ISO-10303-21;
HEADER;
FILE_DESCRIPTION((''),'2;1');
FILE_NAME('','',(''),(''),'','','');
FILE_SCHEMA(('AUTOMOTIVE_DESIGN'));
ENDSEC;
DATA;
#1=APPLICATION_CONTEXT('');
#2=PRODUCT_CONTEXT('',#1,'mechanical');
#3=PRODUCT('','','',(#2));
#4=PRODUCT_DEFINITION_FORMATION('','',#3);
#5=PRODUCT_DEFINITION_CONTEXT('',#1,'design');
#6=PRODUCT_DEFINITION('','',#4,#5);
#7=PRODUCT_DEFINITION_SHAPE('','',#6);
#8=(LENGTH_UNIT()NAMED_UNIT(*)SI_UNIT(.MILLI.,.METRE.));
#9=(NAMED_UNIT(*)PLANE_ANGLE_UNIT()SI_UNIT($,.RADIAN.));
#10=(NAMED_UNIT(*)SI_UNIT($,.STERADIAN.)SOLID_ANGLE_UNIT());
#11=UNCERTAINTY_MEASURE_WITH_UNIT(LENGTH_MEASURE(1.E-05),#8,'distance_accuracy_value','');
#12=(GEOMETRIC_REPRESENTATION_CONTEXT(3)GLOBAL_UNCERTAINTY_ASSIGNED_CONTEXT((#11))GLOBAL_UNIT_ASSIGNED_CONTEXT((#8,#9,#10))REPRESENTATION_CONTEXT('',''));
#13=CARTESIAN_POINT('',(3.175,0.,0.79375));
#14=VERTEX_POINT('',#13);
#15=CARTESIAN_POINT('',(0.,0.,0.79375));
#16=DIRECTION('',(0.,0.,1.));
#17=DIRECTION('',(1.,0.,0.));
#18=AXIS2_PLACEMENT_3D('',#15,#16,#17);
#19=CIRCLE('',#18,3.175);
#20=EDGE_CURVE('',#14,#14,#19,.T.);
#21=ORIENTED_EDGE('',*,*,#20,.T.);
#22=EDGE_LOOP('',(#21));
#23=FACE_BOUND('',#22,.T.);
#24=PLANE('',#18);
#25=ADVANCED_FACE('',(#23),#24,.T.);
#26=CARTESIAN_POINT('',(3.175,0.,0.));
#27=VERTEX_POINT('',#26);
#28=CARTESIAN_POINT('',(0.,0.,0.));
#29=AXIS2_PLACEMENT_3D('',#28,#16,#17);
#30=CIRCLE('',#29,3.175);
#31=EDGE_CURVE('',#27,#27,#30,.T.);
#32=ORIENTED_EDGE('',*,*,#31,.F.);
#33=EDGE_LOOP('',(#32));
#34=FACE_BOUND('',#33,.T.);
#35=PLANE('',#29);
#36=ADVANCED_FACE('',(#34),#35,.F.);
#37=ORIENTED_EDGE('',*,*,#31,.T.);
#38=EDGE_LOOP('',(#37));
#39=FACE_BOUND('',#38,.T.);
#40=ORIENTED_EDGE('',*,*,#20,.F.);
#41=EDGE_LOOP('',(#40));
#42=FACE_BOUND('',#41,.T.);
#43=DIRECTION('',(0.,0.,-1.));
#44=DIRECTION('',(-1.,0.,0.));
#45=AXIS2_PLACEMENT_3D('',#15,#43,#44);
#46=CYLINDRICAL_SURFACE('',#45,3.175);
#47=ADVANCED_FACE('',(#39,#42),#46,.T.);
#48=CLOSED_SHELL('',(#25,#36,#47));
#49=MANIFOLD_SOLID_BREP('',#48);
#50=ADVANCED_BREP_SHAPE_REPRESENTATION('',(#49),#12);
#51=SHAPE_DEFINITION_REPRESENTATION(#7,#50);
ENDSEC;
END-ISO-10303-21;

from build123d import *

# Parameters (mm, degrees)
SKETCH1_R           = 3.175
BOSS_EXTRUDE1_DEPTH = 0.79375


with BuildPart() as part:
    # Sketch1 → Boss-Extrude1 (new body)
    with BuildSketch(Plane.XY):
        Circle(SKETCH1_R)
    extrude(amount=BOSS_EXTRUDE1_DEPTH)


solid = part.part
